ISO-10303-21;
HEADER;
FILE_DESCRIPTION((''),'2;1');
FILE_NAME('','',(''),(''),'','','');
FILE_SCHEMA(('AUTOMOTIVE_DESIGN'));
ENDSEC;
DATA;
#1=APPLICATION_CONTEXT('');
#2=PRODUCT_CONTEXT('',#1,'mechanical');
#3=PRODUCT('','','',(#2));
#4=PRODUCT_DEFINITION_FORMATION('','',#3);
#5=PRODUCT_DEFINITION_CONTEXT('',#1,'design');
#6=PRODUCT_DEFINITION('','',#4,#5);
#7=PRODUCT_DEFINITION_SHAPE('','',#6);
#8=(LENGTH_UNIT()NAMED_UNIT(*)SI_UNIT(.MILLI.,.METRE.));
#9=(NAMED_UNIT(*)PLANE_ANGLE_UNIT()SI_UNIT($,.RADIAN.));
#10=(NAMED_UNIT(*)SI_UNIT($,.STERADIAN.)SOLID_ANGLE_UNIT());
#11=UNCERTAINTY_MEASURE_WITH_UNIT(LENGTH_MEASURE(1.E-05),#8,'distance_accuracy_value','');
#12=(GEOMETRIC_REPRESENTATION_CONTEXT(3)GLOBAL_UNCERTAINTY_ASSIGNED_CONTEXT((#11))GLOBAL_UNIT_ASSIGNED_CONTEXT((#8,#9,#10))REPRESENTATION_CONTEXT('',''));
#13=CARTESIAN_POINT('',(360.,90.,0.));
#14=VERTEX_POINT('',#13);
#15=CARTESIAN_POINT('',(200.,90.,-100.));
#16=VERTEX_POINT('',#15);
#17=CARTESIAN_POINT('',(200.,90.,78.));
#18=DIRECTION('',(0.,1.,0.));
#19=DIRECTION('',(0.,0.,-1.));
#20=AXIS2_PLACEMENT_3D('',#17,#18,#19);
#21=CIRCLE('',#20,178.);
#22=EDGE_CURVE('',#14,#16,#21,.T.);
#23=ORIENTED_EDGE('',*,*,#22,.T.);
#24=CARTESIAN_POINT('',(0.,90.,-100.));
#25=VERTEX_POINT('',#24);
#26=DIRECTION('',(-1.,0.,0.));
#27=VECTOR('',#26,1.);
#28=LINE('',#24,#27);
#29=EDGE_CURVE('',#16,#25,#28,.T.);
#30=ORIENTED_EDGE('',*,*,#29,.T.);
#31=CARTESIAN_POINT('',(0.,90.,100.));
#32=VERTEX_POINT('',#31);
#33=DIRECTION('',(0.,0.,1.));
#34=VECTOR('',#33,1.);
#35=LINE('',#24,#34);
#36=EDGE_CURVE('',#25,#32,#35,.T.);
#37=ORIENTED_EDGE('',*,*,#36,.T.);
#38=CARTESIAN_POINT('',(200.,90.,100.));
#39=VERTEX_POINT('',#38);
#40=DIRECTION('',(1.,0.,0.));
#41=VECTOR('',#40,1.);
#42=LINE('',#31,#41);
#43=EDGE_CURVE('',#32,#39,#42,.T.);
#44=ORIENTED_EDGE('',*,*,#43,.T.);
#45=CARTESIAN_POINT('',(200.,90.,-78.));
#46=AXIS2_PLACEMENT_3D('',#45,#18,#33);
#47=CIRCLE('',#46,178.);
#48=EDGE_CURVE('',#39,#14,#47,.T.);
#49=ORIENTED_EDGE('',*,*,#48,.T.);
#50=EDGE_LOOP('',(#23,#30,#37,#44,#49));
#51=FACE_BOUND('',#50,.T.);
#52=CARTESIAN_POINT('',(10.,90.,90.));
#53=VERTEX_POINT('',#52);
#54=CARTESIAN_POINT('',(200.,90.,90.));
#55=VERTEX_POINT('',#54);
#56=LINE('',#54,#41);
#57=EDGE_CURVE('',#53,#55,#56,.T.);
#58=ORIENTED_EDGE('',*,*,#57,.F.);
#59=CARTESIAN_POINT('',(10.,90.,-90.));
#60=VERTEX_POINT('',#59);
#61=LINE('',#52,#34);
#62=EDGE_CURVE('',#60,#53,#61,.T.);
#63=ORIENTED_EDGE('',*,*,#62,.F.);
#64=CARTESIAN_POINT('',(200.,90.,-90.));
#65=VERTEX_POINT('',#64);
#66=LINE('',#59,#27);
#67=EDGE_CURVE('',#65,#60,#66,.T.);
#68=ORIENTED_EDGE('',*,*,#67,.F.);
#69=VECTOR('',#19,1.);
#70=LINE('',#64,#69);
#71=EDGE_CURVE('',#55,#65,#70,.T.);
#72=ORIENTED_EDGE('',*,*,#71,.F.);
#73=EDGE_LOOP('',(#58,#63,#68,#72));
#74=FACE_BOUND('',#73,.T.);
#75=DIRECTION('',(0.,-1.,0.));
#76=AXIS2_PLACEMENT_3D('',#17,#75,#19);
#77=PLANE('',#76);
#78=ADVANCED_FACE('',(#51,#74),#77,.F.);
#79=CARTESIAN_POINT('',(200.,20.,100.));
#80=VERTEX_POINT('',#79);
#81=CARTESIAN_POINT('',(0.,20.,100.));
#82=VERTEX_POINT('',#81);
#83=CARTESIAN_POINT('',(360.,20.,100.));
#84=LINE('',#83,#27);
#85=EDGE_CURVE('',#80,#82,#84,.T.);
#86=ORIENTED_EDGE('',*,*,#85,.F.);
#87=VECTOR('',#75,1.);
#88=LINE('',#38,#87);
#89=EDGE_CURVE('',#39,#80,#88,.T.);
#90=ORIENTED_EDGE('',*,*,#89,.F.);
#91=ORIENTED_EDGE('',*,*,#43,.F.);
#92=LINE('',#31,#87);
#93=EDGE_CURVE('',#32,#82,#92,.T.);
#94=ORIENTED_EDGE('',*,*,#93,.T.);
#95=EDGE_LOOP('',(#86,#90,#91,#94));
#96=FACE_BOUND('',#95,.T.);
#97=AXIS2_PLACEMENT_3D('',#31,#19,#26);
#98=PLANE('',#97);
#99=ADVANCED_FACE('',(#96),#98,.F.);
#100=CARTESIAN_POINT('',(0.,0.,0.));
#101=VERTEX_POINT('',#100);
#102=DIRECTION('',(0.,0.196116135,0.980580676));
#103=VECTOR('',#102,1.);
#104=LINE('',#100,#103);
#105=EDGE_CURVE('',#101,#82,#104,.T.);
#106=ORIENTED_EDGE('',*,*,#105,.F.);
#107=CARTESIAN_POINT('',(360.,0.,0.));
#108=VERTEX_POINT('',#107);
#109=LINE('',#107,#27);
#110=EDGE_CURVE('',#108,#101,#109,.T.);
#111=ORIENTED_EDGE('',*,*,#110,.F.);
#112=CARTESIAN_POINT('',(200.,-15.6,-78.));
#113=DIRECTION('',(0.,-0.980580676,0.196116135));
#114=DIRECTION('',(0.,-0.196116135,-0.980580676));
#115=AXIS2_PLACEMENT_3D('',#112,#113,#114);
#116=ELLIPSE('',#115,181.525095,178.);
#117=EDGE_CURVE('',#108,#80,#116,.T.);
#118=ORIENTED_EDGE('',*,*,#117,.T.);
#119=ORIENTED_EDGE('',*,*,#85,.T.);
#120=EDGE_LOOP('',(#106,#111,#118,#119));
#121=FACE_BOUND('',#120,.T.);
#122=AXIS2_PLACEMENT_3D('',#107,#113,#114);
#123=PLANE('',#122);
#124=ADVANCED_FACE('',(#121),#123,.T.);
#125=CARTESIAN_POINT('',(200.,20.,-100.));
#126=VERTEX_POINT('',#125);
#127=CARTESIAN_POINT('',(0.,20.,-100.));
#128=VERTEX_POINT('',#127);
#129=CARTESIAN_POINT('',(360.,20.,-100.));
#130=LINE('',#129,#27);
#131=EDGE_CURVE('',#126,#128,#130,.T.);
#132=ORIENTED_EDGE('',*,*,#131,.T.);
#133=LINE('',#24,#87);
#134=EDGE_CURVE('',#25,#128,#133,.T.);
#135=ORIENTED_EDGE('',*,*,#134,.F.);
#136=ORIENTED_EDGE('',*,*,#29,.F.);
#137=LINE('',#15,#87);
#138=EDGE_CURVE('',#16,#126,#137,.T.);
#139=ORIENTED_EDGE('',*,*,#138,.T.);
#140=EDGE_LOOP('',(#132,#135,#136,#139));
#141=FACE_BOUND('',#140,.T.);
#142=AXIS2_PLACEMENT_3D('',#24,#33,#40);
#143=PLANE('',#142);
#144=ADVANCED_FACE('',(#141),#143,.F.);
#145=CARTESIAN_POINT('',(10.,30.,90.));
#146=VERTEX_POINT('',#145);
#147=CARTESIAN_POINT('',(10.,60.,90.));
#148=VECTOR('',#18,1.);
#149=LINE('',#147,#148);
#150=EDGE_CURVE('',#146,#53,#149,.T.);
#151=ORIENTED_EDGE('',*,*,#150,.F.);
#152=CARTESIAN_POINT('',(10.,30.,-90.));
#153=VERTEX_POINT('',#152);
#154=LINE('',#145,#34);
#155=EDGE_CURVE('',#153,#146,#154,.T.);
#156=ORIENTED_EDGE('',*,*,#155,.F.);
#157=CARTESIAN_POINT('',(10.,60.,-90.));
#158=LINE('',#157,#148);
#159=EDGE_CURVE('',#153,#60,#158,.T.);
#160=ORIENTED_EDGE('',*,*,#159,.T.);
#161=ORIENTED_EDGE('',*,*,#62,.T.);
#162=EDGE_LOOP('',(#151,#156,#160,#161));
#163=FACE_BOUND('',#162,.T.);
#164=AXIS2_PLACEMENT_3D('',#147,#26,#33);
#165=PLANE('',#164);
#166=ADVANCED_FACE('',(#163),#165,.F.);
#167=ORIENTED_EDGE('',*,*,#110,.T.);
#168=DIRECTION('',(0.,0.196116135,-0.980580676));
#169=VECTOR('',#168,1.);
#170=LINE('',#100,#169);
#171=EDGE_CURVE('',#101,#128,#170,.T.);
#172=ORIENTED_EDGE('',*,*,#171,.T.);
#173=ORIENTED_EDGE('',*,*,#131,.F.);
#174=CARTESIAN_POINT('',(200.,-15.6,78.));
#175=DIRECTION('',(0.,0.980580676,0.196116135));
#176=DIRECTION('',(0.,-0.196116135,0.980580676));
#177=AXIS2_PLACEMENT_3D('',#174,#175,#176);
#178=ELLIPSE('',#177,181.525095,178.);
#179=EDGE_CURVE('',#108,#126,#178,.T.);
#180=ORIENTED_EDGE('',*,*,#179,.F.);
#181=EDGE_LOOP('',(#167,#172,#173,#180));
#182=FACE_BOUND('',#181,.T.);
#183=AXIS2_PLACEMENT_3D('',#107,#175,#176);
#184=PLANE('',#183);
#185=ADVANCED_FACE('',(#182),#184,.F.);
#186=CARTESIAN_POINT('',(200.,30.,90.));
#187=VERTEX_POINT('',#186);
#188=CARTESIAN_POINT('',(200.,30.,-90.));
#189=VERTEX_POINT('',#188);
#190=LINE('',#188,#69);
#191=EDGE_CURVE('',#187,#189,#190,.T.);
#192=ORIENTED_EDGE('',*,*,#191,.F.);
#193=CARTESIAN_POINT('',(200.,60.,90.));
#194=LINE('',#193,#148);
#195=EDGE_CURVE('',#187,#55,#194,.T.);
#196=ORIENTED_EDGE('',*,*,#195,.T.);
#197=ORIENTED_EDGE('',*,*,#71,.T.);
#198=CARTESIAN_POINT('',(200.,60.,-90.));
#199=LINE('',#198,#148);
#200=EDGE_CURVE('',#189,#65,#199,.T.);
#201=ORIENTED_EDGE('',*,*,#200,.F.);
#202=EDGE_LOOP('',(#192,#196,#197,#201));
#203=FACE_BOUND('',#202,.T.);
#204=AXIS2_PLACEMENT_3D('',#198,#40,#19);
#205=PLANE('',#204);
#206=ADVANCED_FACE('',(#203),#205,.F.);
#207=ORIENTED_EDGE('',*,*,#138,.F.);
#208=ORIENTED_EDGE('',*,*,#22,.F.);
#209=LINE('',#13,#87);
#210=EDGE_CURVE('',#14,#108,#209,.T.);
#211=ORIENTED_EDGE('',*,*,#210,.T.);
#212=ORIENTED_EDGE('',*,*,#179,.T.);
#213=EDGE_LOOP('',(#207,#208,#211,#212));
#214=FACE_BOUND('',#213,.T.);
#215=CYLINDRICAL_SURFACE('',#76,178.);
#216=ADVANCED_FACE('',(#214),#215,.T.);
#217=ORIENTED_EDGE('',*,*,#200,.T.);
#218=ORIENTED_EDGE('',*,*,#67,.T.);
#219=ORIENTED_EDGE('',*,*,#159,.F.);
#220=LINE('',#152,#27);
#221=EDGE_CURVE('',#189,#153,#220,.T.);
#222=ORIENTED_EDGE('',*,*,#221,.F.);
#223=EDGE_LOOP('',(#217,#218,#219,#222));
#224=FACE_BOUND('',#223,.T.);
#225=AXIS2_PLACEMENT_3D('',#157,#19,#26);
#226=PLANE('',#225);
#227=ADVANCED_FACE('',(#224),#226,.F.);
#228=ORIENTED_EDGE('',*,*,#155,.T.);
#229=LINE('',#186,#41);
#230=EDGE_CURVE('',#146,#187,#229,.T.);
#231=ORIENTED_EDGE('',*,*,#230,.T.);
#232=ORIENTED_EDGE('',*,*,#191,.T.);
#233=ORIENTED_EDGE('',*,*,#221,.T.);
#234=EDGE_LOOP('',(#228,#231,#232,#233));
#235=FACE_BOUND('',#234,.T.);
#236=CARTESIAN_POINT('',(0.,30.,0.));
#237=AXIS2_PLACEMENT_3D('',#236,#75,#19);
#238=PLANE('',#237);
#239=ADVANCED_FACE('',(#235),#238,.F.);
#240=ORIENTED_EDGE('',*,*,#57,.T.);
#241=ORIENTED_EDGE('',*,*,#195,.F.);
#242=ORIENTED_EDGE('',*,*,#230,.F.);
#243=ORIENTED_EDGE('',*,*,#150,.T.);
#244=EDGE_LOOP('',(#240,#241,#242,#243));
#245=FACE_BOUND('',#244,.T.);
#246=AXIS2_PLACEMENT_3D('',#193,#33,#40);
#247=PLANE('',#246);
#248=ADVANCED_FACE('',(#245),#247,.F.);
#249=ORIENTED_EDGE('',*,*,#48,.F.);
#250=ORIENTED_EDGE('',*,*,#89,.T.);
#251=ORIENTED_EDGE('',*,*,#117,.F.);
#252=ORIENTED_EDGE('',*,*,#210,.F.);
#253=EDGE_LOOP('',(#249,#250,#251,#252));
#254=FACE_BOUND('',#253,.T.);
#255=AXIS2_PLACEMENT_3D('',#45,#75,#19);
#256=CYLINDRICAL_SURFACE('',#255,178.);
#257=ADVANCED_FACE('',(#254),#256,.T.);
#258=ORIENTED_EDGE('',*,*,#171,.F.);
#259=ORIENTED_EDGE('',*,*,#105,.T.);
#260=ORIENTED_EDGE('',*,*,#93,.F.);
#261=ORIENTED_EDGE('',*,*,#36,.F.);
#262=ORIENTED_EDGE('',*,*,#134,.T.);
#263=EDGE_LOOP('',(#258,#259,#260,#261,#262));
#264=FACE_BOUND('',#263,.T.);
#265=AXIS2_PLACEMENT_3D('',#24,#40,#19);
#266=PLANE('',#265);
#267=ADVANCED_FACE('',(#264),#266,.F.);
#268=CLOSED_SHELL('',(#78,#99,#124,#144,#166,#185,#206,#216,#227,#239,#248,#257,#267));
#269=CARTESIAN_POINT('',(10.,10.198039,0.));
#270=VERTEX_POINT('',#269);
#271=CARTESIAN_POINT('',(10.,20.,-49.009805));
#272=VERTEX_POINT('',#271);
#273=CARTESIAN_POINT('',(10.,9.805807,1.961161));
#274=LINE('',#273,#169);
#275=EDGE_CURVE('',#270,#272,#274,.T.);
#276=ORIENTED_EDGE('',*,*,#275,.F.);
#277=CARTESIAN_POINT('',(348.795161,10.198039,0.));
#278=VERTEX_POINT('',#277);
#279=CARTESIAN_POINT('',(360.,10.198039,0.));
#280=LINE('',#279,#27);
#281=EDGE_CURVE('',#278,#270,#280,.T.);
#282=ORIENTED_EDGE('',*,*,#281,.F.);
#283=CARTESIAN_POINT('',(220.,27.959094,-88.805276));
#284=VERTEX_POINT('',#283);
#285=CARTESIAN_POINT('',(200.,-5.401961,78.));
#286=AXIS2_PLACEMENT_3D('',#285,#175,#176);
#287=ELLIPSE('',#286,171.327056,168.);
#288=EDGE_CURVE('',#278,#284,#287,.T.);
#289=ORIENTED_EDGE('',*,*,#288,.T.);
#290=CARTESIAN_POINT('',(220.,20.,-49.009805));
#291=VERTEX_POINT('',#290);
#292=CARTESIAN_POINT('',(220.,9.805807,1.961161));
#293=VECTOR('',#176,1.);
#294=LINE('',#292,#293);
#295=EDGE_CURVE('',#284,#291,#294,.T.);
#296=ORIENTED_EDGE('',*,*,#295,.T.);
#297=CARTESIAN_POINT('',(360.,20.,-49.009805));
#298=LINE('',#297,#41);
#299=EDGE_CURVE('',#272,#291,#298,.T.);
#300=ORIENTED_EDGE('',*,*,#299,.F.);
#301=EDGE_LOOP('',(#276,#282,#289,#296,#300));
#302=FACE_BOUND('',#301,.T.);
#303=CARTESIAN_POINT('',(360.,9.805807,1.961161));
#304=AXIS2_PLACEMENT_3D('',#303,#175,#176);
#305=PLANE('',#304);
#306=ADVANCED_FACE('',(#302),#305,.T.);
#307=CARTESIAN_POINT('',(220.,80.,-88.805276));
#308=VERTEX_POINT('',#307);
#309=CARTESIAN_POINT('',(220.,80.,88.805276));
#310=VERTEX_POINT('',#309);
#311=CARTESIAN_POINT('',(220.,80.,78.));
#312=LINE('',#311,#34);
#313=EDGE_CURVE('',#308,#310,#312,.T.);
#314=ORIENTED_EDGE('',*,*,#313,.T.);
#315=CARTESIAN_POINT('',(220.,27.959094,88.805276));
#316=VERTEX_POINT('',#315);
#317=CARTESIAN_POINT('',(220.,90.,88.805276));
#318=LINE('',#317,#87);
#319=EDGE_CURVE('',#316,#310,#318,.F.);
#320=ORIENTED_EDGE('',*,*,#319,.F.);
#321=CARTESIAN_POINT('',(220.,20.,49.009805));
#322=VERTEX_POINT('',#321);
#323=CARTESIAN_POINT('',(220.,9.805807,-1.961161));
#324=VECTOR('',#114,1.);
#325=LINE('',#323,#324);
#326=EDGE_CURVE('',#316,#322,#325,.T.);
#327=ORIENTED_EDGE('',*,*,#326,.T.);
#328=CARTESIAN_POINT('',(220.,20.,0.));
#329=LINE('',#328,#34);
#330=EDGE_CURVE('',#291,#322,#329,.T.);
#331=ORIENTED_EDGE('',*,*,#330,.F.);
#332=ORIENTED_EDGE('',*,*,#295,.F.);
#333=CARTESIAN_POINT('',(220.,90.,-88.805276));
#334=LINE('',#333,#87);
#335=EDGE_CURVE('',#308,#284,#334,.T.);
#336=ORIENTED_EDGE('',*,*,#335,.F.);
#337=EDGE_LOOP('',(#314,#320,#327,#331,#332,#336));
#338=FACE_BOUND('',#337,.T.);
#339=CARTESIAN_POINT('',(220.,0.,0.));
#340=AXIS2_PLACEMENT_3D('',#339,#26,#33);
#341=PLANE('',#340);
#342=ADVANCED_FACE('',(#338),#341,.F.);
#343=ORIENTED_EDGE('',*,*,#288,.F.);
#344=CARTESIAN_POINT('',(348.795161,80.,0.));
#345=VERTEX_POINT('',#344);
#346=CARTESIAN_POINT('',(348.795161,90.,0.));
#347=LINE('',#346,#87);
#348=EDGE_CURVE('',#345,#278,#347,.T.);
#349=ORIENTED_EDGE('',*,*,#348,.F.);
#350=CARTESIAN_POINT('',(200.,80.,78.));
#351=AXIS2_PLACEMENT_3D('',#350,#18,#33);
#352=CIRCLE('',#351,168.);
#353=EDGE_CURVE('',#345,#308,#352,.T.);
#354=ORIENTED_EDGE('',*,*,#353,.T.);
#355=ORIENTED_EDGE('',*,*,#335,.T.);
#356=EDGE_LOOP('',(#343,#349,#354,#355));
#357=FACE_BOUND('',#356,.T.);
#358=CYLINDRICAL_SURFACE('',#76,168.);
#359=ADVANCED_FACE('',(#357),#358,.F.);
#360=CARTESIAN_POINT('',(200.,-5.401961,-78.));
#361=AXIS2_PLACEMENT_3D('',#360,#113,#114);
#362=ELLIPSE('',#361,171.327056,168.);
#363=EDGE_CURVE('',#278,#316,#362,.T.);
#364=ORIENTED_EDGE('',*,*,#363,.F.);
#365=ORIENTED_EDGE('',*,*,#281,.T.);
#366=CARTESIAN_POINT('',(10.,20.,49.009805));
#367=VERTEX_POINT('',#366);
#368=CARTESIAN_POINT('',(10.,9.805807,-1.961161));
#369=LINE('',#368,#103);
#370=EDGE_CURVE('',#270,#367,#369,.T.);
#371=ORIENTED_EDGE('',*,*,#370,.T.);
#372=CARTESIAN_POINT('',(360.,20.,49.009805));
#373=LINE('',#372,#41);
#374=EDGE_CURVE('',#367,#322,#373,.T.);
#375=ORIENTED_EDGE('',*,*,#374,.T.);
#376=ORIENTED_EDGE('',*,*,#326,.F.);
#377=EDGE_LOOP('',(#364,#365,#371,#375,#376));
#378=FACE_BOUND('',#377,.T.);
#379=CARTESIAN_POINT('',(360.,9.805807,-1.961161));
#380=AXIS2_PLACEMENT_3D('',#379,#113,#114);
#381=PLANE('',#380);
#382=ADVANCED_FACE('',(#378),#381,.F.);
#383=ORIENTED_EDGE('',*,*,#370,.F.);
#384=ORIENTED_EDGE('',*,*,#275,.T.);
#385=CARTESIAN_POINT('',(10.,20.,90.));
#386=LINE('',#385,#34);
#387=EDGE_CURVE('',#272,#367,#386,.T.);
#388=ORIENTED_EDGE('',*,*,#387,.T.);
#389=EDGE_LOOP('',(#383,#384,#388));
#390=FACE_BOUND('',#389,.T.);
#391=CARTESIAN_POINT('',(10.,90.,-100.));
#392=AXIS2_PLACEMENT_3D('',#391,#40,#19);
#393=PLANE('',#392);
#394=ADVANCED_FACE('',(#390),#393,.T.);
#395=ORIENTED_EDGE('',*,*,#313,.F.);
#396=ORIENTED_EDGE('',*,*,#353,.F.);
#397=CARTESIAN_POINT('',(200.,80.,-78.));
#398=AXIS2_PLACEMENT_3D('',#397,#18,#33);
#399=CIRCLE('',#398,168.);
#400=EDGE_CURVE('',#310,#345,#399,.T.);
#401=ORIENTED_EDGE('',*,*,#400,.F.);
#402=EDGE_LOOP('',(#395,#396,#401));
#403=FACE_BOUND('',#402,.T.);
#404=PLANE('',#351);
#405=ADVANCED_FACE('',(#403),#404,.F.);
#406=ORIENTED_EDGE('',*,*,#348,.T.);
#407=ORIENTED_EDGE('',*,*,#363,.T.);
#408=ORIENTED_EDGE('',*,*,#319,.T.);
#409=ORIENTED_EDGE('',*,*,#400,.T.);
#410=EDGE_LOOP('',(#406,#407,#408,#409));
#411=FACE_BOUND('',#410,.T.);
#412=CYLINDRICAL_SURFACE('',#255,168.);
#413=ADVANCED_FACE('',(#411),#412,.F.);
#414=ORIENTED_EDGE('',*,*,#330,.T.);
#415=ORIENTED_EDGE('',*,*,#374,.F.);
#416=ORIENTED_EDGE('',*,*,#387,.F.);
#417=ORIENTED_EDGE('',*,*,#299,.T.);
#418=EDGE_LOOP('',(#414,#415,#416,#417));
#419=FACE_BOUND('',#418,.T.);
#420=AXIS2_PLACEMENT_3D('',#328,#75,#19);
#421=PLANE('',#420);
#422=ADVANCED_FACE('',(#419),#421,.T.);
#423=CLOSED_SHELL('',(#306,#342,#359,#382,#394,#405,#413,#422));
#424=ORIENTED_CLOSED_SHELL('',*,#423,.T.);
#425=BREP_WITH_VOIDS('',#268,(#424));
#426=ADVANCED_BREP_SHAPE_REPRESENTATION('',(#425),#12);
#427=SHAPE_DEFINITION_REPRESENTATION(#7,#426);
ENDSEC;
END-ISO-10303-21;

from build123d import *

# Parameters (mm, degrees)
BOSS_EXTRUDE1_DEPTH = 90
CUT_EXTRUDE1_DEPTH  = 385.317577012
SHELL3_T            = -10
BOSS_EXTRUDE2_START = -10
BOSS_EXTRUDE2_DEPTH = 10
SKETCH9_W           = 180
SKETCH9_H           = 60
BOSS_EXTRUDE3_DEPTH = 220
SKETCH9_4_W         = 180
SKETCH9_4_H         = 60
CUT_EXTRUDE3_DEPTH  = 200
SKETCH9_5_W         = 180
SKETCH9_5_H         = 60
BOSS_EXTRUDE5_DEPTH = 10
SKETCH10_W          = 190
SKETCH10_H          = 180
BOSS_EXTRUDE6_DEPTH = 70
SKETCH10_2_W        = 190
SKETCH10_2_H        = 180
CUT_EXTRUDE4_DEPTH  = 30
SKETCH10_3_W        = 190
SKETCH10_3_H        = 180
CUT_EXTRUDE5_DEPTH  = 50
SKETCH10_4_W        = 190
SKETCH10_4_H        = 180
CUT_EXTRUDE6_DEPTH  = 60


with BuildPart() as part:
    # Sketch1 → Boss-Extrude1 (new body)
    with BuildSketch(Plane(origin=(0, 0, 0), x_dir=(1, 0, 0), z_dir=(0, 1, 0))):
        with BuildLine():
            Line((0, 100), (0, -100))
            Line((0, -100), (200, -100))
            ThreePointArc((200, -100), (294.339811321, -72.943698113), (360, 0))
            ThreePointArc((360, 0), (294.339811321, 72.943698113), (200, 100))
            Line((200, 100), (0, 100))
        make_face()
    extrude(amount=BOSS_EXTRUDE1_DEPTH)

    # Sketch2 → Cut-Extrude1 (cut, through all)
    with BuildSketch(Plane.ZY):
        Polygon((-100, 0), (0, 0), (-100, 20), align=None)
        Polygon((100, 20), (0, 0), (100, 0), align=None)
    extrude(amount=-CUT_EXTRUDE1_DEPTH, mode=Mode.SUBTRACT)

    # Shell3
    shell3_openings = [part.faces().sort_by_distance(p)[0] for p in [
        (159.417640867, 90, 0),
    ]]
    offset(amount=SHELL3_T, openings=shell3_openings, kind=Kind.INTERSECTION)

    # Sketch6 → Boss-Extrude2 (add)
    with BuildSketch(Plane(origin=(0, 90, 0), x_dir=(1, 0, 0), z_dir=(0, 1, 0)).offset(BOSS_EXTRUDE2_START)):
        with BuildLine():
            Line((200, 90), (200, -90))
            ThreePointArc((200, -90), (286.948260477, -65.749782609), (348.795161212, 0))
            ThreePointArc((348.795161212, 0), (286.948260477, 65.749782609), (200, 90))
        make_face()
    extrude(amount=BOSS_EXTRUDE2_DEPTH)

    # Sketch9 → Boss-Extrude3 (add)
    with BuildSketch(Plane.ZY):
        with Locations((0, 50)):
            Rectangle(SKETCH9_W, SKETCH9_H)
    extrude(amount=-BOSS_EXTRUDE3_DEPTH)

    # Sketch9<4> → Cut-Extrude3 (cut)
    with BuildSketch(Plane.ZY):
        with Locations((0, 50)):
            Rectangle(SKETCH9_4_W, SKETCH9_4_H)
    extrude(amount=-CUT_EXTRUDE3_DEPTH, mode=Mode.SUBTRACT)

    # Sketch9<5> → Boss-Extrude5 (add)
    with BuildSketch(Plane.ZY):
        with Locations((0, 50)):
            Rectangle(SKETCH9_5_W, SKETCH9_5_H)
    extrude(amount=-BOSS_EXTRUDE5_DEPTH)

    # Sketch10 → Boss-Extrude6 (add)
    with BuildSketch(Plane(origin=(0, 90, 0), x_dir=(1, 0, 0), z_dir=(0, 1, 0))):
        with Locations((105, 0)):
            Rectangle(SKETCH10_W, SKETCH10_H)
    extrude(amount=-BOSS_EXTRUDE6_DEPTH)

    # Sketch10<2> → Cut-Extrude4 (cut)
    with BuildSketch(Plane(origin=(0, 90, 0), x_dir=(1, 0, 0), z_dir=(0, 1, 0))):
        with Locations((105, 0)):
            Rectangle(SKETCH10_2_W, SKETCH10_2_H)
    extrude(amount=-CUT_EXTRUDE4_DEPTH, mode=Mode.SUBTRACT)

    # Sketch10<3> → Cut-Extrude5 (cut)
    with BuildSketch(Plane(origin=(0, 90, 0), x_dir=(1, 0, 0), z_dir=(0, 1, 0))):
        with Locations((105, 0)):
            Rectangle(SKETCH10_3_W, SKETCH10_3_H)
    extrude(amount=-CUT_EXTRUDE5_DEPTH, mode=Mode.SUBTRACT)

    # Sketch10<4> → Cut-Extrude6 (cut)
    with BuildSketch(Plane(origin=(0, 90, 0), x_dir=(1, 0, 0), z_dir=(0, 1, 0))):
        with Locations((105, 0)):
            Rectangle(SKETCH10_4_W, SKETCH10_4_H)
    extrude(amount=-CUT_EXTRUDE6_DEPTH, mode=Mode.SUBTRACT)


solid = part.part
